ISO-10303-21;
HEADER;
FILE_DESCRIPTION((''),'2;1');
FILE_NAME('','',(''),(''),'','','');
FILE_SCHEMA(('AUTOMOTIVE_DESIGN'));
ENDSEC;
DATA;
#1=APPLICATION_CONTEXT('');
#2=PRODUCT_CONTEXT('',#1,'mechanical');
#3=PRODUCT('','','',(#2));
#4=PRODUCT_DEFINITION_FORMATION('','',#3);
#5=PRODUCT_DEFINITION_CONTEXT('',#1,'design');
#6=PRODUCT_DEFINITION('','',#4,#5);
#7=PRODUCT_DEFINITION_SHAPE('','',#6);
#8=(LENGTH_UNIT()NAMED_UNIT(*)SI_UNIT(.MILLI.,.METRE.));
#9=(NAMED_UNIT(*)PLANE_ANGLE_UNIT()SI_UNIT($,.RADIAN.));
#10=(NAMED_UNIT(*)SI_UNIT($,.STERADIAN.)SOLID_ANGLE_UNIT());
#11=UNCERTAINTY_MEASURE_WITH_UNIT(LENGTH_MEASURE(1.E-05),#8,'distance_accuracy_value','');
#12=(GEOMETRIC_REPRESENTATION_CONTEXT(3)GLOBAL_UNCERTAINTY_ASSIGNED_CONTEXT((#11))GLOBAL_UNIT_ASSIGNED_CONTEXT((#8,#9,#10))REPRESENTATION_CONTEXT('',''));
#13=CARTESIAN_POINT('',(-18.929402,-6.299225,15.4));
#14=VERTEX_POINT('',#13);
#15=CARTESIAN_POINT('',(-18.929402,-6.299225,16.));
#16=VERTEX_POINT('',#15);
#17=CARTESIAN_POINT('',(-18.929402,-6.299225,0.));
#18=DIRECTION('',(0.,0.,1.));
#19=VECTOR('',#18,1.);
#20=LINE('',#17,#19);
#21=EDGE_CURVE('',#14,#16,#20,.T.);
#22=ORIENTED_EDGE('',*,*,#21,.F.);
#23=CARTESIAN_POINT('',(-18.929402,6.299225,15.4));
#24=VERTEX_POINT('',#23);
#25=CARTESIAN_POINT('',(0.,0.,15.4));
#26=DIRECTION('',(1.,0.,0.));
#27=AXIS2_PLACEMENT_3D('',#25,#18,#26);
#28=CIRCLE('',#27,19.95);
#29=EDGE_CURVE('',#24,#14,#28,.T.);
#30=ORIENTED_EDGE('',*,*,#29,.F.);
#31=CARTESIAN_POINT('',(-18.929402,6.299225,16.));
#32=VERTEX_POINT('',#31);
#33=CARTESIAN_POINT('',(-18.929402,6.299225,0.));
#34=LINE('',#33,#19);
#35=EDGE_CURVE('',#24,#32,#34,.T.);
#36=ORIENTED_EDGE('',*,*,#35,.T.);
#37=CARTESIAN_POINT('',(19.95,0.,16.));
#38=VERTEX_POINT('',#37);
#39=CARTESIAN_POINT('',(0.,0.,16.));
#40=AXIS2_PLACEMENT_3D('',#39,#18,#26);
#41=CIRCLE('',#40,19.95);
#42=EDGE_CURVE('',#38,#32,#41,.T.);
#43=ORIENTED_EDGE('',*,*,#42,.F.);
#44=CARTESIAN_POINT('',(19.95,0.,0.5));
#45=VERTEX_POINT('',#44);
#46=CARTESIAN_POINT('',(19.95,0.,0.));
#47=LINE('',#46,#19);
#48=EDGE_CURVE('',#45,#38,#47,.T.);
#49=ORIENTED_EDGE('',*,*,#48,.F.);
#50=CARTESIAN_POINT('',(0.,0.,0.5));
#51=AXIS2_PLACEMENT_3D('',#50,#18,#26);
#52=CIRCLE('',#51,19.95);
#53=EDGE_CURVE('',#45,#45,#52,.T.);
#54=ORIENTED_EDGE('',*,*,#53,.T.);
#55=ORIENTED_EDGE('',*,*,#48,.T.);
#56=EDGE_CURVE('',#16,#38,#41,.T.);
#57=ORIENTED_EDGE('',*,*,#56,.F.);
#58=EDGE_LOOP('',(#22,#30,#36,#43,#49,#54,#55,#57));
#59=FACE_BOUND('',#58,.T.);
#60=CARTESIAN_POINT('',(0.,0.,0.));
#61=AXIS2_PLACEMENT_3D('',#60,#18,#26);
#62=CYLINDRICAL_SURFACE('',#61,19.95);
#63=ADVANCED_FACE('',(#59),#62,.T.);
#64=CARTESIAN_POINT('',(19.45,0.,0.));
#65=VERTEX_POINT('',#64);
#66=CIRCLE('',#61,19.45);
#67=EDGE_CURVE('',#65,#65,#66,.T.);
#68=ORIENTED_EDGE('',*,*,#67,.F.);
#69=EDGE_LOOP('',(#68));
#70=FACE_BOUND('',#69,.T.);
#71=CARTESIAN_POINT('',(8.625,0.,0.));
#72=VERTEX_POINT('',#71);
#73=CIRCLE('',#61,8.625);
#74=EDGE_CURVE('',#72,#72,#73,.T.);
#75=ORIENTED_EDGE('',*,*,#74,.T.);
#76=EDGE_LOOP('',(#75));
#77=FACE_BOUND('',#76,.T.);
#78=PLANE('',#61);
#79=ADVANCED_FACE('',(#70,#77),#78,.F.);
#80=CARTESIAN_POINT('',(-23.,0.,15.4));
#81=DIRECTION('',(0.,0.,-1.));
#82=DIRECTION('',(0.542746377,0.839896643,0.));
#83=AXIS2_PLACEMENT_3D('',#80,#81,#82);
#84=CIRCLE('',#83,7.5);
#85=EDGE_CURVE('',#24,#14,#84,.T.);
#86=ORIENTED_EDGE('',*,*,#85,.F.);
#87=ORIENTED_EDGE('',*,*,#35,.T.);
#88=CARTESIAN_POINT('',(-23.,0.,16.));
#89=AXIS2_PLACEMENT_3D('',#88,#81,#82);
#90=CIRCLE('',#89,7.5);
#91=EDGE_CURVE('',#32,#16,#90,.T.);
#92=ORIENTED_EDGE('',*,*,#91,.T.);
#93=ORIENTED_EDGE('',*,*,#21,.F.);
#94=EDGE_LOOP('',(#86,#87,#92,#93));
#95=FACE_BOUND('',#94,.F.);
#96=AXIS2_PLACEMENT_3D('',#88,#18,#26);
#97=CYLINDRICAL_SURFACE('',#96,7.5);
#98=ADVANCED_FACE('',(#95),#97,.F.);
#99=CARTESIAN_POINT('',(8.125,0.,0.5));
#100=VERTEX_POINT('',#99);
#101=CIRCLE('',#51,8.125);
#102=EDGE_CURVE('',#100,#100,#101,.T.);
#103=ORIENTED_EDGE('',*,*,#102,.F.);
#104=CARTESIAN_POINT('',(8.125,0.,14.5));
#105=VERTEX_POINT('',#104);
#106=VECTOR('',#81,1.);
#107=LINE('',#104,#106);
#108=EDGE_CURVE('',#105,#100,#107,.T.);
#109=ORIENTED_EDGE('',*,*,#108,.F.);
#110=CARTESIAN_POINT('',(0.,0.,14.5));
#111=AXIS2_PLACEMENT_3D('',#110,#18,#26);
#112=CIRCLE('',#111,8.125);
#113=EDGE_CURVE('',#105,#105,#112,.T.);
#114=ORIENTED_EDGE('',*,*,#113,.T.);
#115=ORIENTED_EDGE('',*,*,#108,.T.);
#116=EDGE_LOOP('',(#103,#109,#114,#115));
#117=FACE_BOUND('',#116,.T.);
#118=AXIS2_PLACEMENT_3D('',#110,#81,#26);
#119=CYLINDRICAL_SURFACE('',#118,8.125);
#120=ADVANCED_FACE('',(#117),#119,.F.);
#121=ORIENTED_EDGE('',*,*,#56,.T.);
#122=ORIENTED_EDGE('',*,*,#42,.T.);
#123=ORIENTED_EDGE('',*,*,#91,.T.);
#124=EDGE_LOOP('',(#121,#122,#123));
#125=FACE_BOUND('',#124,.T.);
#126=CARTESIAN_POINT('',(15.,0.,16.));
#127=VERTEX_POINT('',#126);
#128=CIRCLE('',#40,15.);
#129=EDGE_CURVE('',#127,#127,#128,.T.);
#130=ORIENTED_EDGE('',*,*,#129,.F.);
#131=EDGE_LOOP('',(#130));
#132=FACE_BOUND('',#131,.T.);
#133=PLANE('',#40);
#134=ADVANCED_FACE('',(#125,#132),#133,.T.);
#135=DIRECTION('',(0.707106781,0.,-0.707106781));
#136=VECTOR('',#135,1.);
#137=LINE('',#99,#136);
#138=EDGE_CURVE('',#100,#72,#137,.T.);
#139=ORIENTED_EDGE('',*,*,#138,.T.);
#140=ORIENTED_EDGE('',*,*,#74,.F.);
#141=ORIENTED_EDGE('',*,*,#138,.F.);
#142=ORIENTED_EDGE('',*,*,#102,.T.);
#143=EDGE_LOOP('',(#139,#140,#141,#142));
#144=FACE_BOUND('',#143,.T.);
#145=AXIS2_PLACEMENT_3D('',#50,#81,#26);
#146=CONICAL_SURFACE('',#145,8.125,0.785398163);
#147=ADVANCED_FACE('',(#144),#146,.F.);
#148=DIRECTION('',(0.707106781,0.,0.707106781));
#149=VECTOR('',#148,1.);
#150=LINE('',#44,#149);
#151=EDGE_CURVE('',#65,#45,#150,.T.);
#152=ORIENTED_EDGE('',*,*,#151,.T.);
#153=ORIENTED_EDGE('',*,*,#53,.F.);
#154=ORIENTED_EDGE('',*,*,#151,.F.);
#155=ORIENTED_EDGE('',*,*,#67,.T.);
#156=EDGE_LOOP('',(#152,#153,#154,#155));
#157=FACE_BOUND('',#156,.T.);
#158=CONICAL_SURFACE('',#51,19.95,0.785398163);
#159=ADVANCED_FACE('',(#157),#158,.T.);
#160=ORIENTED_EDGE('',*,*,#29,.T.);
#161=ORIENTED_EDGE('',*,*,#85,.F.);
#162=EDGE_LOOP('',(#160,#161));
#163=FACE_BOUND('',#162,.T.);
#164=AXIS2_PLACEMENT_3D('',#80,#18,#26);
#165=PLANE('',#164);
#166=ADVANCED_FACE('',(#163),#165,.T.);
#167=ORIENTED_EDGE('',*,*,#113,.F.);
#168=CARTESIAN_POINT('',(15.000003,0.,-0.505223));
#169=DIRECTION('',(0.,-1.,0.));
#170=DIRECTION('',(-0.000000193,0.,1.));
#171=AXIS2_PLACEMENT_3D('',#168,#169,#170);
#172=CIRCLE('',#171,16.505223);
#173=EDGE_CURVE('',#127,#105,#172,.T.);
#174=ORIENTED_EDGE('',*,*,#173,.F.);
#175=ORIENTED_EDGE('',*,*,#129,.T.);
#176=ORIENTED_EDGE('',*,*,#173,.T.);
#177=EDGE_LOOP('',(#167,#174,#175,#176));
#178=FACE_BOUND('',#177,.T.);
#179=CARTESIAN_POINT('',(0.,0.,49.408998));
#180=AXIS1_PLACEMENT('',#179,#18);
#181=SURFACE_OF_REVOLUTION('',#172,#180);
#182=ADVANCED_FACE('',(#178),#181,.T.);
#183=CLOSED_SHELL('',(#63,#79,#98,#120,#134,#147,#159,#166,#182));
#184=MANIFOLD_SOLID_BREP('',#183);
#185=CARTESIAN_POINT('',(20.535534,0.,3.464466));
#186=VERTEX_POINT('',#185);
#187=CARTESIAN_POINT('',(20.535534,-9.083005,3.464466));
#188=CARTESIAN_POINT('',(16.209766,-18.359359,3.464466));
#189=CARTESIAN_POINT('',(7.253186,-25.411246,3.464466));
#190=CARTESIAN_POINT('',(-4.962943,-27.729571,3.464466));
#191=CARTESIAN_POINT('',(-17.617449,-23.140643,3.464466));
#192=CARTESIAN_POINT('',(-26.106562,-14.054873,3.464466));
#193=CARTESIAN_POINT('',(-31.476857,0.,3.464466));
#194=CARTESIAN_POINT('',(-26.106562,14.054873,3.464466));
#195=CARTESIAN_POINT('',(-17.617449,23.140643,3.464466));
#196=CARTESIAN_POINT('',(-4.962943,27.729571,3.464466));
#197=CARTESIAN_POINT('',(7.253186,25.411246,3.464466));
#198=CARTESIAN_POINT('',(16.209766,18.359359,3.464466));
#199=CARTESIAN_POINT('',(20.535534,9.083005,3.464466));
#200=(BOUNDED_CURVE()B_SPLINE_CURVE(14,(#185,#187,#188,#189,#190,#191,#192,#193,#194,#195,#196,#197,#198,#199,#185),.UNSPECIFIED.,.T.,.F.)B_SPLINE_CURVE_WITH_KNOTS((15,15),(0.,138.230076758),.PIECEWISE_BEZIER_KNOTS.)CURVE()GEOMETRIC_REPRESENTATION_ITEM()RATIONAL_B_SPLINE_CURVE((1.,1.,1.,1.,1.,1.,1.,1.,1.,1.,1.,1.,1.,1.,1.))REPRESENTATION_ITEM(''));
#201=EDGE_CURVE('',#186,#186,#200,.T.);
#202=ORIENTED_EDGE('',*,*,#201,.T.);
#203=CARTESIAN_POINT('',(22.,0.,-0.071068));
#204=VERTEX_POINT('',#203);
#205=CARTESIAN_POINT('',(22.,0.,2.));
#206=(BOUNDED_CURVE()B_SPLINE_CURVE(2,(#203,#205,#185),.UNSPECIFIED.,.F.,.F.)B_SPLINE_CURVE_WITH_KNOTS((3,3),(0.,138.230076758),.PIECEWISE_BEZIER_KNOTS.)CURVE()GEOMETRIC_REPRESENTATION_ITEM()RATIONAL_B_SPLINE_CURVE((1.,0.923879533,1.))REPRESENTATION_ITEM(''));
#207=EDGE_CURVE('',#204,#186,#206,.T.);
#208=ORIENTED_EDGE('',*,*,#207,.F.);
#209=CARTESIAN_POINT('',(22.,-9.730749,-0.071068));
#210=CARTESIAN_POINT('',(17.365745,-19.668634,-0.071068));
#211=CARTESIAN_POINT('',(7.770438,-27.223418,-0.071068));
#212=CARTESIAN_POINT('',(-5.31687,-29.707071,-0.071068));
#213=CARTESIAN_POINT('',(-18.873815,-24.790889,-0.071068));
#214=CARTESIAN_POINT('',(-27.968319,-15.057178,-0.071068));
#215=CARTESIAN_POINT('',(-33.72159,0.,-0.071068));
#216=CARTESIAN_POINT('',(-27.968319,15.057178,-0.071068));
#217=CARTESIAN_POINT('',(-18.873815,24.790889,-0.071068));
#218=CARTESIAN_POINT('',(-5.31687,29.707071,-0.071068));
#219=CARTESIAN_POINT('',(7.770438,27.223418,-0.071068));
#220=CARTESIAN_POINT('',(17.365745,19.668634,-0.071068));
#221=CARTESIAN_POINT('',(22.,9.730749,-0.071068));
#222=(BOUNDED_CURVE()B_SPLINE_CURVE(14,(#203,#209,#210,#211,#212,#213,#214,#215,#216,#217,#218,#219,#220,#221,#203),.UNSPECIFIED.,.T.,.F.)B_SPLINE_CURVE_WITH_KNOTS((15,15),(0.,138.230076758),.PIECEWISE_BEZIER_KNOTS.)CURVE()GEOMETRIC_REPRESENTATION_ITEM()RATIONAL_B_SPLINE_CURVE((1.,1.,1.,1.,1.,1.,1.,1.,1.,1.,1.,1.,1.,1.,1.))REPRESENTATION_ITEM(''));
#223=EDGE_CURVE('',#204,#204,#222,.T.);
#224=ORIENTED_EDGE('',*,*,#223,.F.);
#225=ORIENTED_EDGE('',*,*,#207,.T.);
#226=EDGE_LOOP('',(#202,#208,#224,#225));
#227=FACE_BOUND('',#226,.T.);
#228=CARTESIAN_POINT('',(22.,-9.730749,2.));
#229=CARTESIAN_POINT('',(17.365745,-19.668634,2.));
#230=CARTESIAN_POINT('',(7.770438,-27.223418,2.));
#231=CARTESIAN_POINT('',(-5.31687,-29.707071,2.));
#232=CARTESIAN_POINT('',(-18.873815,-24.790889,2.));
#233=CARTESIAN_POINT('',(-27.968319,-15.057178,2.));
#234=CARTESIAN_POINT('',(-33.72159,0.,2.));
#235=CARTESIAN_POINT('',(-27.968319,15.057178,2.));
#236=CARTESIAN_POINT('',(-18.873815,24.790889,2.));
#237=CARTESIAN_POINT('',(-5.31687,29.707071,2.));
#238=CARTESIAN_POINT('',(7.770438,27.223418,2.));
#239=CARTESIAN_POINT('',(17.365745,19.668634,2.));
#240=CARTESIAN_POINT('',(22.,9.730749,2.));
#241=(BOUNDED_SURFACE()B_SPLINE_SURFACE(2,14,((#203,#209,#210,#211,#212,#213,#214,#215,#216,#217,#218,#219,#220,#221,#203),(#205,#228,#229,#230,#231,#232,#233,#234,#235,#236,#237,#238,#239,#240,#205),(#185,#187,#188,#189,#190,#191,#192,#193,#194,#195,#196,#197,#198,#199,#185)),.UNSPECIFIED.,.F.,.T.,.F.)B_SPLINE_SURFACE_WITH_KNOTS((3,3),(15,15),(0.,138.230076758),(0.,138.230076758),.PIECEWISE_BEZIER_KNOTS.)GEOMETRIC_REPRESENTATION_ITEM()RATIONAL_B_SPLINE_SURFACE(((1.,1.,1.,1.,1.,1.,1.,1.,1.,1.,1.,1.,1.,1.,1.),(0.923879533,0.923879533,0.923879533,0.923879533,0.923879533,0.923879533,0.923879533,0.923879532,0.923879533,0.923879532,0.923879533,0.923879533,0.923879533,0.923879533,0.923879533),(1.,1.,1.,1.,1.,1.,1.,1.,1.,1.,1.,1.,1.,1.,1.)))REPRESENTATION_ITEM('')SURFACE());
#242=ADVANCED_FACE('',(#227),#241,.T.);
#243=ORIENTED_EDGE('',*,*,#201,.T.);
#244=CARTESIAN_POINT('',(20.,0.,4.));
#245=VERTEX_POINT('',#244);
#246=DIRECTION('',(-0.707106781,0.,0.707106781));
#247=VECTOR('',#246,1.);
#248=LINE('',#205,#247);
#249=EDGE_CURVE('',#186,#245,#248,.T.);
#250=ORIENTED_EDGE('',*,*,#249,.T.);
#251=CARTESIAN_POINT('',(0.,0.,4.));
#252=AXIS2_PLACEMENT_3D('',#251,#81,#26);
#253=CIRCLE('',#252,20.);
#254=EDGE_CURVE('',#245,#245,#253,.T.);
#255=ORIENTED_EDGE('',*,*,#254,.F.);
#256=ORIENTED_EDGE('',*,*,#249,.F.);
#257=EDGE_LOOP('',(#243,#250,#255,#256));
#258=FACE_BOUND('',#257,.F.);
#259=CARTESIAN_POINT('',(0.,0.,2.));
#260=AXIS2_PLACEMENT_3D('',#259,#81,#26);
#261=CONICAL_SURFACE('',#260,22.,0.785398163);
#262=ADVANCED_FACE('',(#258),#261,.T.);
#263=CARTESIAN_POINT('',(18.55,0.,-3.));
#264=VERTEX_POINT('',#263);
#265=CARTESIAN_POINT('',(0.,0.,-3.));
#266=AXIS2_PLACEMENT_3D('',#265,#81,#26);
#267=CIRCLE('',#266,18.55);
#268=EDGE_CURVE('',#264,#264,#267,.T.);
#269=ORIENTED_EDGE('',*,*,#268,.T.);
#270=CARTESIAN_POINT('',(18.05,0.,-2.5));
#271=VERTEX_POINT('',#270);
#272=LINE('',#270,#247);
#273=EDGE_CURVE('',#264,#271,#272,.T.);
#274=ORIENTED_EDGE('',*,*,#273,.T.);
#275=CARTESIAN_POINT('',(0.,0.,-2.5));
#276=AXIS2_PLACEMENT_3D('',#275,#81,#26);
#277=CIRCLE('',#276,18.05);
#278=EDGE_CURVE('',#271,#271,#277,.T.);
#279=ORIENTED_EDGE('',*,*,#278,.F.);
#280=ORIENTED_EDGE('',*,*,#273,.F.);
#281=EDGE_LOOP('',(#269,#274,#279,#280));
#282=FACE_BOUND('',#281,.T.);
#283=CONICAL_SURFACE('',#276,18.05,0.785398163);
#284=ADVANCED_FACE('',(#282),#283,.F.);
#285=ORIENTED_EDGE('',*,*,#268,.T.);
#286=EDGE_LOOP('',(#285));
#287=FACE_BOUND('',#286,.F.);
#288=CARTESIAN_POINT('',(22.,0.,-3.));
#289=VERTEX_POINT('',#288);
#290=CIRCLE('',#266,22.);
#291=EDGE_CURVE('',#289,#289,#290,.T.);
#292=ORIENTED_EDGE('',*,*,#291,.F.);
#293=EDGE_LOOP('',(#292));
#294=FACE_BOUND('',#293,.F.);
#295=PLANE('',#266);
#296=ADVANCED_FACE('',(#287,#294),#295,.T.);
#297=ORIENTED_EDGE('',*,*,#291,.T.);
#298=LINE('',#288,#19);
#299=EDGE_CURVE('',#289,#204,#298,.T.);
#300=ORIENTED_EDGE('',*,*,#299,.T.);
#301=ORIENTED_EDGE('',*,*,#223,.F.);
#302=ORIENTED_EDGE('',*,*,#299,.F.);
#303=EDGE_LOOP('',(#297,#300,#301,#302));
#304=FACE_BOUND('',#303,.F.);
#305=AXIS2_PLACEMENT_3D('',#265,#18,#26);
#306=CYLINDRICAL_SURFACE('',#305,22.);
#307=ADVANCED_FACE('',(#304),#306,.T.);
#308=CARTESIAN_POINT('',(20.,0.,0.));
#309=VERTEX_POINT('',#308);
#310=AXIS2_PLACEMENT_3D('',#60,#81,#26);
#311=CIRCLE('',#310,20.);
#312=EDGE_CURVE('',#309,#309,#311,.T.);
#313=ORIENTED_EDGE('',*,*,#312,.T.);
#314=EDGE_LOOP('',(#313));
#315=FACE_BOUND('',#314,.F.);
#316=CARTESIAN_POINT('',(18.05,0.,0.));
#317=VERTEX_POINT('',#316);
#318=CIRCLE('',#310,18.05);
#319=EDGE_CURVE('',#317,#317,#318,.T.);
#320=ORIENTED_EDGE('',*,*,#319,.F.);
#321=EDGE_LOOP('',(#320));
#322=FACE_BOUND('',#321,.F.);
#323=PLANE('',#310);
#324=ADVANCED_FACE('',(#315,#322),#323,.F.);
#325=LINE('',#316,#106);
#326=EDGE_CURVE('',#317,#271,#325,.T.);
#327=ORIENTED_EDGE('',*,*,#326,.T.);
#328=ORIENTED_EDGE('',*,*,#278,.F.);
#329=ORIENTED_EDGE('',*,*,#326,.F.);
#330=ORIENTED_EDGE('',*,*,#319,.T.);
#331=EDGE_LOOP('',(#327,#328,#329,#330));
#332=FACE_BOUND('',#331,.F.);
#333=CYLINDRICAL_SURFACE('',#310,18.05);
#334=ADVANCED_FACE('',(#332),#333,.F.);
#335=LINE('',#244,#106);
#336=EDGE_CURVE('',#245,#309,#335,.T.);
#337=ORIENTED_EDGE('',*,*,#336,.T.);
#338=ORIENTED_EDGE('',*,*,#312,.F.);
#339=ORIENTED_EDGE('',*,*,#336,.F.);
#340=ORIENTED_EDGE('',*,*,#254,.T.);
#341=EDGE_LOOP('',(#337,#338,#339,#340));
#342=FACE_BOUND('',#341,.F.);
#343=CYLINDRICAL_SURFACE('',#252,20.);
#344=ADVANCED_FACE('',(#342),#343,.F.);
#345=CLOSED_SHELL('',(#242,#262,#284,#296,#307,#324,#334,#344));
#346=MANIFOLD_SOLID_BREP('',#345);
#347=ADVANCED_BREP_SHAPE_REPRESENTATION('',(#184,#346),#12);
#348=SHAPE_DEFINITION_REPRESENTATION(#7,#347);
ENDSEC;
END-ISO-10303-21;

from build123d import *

# Parameters (mm, degrees)
F4_R     = 7.5
F5_DEPTH = 0.6
F6_R     = 5
F7_SIZE  = 0.5
F8_SIZE  = 0.5


with BuildPart() as f1:
    # F0 (on Front) → F1 (revolve)
    with BuildSketch(Plane.XZ):
        with BuildLine():
            Line((8.125, 14.5), (8.125, 0))
            Line((8.125, 0), (19.95, 0))
            Line((19.95, 0), (19.95, 16))
            Line((19.95, 16), (15, 16))
            ThreePointArc((15, 16), (11.481633, 15.62064), (8.125, 14.5))
        make_face()
    revolve(axis=Axis((0, 0, 49.408998), (0, 0, 1)))

    # F4 (on face) → F5 (cut)
    with BuildSketch(Plane.XY.offset(16)):
        with Locations((-23, 0)):
            Circle(F4_R)
    extrude(amount=-F5_DEPTH, mode=Mode.SUBTRACT)

    # F8
    f8_edges = [f1.edges().sort_by_distance(p)[0] for p in [
        (-19.95, 0, 0),
        (-8.125, 0, 0),
    ]]
    chamfer(f8_edges, length=F8_SIZE)


with BuildPart() as f3:
    # F2 (on Front) → F3 (revolve)
    with BuildSketch(Plane.XZ):
        Polygon((20, 0), (18.05, 0), (18.05, -3), (22, -3), (22, 2), (20, 4), align=None)
    revolve(axis=Axis((0, 0, -7.16383), (0, 0, -1)))

    # F6
    f6_edges = [f3.edges().sort_by_distance(p)[0] for p in [
        (-22, 0, 2),
    ]]
    fillet(f6_edges, radius=F6_R)

    # F7
    f7_edges = [f3.edges().sort_by_distance(p)[0] for p in [
        (-18.05, 0, -3),
    ]]
    chamfer(f7_edges, length=F7_SIZE)


solid = Compound([f1.part, f3.part])
